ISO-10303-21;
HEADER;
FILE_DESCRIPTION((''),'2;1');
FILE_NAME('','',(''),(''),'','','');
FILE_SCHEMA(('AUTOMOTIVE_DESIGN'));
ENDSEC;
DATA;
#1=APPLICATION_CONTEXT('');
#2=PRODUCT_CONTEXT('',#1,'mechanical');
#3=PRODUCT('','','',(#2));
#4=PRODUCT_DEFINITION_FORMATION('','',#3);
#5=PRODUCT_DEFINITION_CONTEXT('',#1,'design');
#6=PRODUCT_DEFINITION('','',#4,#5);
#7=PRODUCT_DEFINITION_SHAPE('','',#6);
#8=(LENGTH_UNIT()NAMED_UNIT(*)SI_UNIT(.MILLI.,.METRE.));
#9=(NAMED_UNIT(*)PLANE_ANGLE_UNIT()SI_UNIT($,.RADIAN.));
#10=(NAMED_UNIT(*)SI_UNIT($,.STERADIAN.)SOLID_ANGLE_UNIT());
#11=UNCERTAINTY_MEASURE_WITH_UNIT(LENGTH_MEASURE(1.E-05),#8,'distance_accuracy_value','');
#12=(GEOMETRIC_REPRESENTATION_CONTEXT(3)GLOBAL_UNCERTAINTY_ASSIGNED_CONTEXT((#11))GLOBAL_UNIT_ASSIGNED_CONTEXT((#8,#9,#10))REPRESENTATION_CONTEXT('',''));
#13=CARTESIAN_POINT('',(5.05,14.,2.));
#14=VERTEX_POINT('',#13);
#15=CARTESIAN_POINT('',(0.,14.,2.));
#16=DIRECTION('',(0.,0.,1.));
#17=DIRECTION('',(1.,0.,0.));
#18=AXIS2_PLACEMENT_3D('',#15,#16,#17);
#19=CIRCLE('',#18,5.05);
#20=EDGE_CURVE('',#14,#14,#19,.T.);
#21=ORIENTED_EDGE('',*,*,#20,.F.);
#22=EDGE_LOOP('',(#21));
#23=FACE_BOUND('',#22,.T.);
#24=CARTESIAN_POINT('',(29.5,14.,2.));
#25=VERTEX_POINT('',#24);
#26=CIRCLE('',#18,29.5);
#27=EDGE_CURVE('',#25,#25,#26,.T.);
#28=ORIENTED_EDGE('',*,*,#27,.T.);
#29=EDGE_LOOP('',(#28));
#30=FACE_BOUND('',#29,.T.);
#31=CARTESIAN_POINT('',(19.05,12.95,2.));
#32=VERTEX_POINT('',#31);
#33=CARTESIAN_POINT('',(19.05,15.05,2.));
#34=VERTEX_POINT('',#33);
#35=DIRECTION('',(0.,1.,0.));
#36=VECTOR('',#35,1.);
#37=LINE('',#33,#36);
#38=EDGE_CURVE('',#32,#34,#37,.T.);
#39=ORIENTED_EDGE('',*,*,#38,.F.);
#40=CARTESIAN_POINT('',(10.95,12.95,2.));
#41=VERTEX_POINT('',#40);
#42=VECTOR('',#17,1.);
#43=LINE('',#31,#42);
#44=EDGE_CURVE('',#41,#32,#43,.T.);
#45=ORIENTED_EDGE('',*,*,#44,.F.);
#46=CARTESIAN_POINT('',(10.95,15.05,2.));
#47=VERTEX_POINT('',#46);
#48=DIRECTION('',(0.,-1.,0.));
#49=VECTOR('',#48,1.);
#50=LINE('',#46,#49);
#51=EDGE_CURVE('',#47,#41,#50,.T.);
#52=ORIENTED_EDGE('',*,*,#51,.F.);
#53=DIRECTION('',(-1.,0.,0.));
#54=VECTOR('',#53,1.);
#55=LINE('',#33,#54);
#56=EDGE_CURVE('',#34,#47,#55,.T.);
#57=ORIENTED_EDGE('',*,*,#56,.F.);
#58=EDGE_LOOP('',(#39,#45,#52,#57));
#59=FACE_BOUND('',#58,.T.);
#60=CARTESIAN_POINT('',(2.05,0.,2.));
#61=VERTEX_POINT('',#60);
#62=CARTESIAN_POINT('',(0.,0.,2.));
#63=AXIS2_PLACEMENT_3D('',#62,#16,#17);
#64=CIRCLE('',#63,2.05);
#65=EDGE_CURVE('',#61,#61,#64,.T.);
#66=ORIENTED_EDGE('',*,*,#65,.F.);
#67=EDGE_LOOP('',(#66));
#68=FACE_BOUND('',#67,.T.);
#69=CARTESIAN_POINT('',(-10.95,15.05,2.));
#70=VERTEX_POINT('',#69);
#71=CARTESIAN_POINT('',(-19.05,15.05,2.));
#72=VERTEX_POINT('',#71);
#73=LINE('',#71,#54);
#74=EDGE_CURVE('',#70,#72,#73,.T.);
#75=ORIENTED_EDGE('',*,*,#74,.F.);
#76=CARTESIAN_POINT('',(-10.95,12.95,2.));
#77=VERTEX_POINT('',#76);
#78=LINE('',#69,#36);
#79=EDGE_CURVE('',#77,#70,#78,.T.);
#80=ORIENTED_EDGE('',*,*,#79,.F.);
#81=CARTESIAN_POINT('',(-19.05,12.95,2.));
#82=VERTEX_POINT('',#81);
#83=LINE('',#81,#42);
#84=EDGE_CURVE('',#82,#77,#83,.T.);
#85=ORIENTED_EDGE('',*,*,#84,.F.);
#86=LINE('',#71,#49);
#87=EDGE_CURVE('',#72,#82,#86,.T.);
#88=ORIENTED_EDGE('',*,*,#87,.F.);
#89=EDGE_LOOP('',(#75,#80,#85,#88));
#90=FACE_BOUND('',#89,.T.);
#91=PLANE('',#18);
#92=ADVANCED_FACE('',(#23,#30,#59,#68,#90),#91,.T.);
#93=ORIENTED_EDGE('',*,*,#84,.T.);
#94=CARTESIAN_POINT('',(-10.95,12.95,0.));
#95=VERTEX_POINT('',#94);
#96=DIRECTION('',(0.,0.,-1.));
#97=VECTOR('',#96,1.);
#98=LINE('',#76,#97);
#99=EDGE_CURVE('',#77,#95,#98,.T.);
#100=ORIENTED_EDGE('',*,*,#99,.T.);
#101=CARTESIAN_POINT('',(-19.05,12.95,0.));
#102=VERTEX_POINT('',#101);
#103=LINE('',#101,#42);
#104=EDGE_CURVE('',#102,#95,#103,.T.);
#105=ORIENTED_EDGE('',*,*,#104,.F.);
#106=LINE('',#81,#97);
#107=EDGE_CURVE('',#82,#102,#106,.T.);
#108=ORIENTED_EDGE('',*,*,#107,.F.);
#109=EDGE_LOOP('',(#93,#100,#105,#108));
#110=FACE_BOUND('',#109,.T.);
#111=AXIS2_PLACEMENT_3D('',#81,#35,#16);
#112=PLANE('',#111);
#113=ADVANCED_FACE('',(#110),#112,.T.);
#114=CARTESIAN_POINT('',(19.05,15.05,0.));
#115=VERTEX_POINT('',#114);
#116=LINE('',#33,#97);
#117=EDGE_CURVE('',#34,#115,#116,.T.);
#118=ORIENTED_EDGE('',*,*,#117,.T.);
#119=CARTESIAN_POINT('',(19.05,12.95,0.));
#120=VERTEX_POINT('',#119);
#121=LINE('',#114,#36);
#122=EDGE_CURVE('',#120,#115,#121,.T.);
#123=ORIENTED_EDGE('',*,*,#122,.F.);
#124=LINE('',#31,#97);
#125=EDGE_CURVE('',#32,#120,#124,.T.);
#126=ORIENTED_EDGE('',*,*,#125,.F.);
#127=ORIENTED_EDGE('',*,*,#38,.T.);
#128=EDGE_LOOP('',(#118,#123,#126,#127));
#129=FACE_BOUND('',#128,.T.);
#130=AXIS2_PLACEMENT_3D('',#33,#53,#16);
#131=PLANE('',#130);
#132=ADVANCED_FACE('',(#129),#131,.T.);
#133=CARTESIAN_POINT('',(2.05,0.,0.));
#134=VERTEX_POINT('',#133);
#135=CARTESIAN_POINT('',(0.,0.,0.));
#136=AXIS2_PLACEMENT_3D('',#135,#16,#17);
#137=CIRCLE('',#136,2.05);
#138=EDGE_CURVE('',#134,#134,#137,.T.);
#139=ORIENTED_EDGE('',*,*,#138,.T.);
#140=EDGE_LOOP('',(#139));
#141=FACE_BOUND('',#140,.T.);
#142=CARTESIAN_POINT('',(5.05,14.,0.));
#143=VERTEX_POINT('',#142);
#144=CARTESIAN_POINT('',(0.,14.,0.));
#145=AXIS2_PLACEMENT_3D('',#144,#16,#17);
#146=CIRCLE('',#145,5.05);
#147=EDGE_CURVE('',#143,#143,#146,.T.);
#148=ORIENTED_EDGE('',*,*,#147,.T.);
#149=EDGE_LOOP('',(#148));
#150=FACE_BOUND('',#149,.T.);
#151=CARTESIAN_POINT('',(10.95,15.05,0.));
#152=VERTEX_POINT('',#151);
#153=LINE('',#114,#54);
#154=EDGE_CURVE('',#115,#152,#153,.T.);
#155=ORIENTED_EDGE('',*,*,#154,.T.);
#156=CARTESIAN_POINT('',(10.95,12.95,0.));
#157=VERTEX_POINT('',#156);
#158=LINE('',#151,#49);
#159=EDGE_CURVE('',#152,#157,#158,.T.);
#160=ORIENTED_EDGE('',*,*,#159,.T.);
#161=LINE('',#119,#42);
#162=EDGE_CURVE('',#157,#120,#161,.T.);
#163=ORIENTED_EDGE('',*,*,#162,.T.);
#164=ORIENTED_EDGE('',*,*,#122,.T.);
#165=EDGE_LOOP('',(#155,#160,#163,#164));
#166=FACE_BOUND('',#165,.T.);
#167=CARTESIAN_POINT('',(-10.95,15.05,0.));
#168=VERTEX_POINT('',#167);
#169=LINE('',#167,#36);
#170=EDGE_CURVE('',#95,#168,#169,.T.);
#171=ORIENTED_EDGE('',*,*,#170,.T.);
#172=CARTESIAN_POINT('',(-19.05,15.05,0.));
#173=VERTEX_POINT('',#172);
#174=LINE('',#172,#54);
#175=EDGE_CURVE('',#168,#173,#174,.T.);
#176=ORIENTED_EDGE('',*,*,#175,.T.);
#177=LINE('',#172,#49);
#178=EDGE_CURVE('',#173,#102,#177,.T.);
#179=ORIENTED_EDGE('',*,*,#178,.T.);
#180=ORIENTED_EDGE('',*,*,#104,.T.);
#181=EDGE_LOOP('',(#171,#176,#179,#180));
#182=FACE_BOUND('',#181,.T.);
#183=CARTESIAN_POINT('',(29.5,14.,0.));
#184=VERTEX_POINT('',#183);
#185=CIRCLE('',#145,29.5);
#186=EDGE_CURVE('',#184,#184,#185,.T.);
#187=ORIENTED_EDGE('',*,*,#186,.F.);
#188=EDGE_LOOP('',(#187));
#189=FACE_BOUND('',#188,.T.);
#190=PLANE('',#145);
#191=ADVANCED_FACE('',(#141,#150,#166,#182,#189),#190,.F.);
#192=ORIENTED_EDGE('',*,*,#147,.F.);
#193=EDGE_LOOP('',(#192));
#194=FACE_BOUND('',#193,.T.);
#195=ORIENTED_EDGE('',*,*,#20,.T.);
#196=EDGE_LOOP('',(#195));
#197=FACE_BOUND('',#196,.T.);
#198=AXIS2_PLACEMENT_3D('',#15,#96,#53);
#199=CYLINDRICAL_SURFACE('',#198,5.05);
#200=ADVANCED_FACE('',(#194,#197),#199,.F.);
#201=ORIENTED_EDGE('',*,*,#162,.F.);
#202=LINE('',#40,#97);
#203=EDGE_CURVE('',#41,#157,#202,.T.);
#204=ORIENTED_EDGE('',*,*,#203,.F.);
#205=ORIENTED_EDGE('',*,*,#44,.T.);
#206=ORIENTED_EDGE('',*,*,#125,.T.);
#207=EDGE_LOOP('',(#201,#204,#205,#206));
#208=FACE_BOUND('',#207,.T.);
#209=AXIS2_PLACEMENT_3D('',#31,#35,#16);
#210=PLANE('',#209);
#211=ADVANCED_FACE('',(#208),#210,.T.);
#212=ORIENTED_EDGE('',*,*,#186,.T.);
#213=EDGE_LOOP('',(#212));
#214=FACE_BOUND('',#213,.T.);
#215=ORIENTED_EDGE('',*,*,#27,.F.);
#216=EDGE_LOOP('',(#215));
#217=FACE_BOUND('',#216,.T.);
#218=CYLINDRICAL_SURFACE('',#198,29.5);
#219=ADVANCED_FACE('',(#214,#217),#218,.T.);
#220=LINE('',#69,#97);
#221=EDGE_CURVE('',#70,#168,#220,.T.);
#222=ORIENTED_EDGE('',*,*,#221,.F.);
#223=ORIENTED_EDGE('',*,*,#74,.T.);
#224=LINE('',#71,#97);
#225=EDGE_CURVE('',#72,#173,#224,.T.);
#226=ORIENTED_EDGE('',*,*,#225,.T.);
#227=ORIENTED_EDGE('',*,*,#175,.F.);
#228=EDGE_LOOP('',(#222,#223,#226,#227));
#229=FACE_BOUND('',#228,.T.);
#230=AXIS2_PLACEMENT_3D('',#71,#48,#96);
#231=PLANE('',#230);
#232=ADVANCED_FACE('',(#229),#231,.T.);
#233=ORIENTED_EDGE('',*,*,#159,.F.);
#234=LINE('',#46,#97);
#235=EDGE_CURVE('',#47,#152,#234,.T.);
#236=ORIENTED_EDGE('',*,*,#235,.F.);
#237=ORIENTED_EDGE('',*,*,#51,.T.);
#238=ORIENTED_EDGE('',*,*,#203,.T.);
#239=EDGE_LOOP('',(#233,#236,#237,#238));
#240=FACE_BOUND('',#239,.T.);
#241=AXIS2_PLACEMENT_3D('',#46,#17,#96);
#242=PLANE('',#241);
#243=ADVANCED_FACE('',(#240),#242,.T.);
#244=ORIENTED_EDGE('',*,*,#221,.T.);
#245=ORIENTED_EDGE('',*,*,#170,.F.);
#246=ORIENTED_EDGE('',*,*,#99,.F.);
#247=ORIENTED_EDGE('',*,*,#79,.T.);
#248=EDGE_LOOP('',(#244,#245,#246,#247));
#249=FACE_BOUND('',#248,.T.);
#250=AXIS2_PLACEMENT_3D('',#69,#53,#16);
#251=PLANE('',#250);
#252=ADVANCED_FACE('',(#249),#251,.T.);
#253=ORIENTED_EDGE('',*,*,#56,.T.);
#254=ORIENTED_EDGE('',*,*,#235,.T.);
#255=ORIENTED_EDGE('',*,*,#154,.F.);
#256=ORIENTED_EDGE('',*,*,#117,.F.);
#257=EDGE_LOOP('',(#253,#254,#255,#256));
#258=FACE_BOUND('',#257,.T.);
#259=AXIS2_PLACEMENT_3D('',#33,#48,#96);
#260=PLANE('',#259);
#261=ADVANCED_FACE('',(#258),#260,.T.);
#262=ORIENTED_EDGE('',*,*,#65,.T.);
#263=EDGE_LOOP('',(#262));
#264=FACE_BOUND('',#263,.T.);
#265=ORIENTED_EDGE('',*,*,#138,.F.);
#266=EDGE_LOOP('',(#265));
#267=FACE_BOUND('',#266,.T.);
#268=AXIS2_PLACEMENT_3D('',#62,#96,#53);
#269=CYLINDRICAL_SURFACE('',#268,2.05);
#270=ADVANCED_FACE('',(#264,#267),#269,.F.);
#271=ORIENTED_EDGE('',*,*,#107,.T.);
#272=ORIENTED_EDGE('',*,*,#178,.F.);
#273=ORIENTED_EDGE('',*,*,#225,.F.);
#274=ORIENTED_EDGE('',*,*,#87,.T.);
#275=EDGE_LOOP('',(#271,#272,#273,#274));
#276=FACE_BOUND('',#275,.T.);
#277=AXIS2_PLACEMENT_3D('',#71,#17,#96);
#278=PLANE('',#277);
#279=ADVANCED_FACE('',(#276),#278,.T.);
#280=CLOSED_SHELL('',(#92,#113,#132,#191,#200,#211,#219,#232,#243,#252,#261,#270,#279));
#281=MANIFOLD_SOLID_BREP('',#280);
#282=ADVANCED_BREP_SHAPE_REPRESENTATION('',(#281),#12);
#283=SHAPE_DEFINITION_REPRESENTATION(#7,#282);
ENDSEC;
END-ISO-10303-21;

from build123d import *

# Parameters (mm, degrees)
SKETCH_1_R      = 29.5
SKETCH_1_R_2    = 2.05
SKETCH_1_R_3    = 5.05
SKETCH_1_W      = 8.1
SKETCH_1_H      = 2.1
EXTRUDE_1_DEPTH = 2


with BuildPart() as part:
    # 草图1 → 凸台-拉伸1 (new body)
    with BuildSketch(Plane.XY):
        with Locations((0, 14)):
            Circle(SKETCH_1_R)
        Circle(SKETCH_1_R_2, mode=Mode.SUBTRACT)
        with Locations((0, 14)):
            Circle(SKETCH_1_R_3, mode=Mode.SUBTRACT)
        with Locations((-15, 14)):
            Rectangle(SKETCH_1_W, SKETCH_1_H, mode=Mode.SUBTRACT)
        with Locations((15, 14)):
            Rectangle(SKETCH_1_W, SKETCH_1_H, mode=Mode.SUBTRACT)
    extrude(amount=EXTRUDE_1_DEPTH)


solid = part.part
